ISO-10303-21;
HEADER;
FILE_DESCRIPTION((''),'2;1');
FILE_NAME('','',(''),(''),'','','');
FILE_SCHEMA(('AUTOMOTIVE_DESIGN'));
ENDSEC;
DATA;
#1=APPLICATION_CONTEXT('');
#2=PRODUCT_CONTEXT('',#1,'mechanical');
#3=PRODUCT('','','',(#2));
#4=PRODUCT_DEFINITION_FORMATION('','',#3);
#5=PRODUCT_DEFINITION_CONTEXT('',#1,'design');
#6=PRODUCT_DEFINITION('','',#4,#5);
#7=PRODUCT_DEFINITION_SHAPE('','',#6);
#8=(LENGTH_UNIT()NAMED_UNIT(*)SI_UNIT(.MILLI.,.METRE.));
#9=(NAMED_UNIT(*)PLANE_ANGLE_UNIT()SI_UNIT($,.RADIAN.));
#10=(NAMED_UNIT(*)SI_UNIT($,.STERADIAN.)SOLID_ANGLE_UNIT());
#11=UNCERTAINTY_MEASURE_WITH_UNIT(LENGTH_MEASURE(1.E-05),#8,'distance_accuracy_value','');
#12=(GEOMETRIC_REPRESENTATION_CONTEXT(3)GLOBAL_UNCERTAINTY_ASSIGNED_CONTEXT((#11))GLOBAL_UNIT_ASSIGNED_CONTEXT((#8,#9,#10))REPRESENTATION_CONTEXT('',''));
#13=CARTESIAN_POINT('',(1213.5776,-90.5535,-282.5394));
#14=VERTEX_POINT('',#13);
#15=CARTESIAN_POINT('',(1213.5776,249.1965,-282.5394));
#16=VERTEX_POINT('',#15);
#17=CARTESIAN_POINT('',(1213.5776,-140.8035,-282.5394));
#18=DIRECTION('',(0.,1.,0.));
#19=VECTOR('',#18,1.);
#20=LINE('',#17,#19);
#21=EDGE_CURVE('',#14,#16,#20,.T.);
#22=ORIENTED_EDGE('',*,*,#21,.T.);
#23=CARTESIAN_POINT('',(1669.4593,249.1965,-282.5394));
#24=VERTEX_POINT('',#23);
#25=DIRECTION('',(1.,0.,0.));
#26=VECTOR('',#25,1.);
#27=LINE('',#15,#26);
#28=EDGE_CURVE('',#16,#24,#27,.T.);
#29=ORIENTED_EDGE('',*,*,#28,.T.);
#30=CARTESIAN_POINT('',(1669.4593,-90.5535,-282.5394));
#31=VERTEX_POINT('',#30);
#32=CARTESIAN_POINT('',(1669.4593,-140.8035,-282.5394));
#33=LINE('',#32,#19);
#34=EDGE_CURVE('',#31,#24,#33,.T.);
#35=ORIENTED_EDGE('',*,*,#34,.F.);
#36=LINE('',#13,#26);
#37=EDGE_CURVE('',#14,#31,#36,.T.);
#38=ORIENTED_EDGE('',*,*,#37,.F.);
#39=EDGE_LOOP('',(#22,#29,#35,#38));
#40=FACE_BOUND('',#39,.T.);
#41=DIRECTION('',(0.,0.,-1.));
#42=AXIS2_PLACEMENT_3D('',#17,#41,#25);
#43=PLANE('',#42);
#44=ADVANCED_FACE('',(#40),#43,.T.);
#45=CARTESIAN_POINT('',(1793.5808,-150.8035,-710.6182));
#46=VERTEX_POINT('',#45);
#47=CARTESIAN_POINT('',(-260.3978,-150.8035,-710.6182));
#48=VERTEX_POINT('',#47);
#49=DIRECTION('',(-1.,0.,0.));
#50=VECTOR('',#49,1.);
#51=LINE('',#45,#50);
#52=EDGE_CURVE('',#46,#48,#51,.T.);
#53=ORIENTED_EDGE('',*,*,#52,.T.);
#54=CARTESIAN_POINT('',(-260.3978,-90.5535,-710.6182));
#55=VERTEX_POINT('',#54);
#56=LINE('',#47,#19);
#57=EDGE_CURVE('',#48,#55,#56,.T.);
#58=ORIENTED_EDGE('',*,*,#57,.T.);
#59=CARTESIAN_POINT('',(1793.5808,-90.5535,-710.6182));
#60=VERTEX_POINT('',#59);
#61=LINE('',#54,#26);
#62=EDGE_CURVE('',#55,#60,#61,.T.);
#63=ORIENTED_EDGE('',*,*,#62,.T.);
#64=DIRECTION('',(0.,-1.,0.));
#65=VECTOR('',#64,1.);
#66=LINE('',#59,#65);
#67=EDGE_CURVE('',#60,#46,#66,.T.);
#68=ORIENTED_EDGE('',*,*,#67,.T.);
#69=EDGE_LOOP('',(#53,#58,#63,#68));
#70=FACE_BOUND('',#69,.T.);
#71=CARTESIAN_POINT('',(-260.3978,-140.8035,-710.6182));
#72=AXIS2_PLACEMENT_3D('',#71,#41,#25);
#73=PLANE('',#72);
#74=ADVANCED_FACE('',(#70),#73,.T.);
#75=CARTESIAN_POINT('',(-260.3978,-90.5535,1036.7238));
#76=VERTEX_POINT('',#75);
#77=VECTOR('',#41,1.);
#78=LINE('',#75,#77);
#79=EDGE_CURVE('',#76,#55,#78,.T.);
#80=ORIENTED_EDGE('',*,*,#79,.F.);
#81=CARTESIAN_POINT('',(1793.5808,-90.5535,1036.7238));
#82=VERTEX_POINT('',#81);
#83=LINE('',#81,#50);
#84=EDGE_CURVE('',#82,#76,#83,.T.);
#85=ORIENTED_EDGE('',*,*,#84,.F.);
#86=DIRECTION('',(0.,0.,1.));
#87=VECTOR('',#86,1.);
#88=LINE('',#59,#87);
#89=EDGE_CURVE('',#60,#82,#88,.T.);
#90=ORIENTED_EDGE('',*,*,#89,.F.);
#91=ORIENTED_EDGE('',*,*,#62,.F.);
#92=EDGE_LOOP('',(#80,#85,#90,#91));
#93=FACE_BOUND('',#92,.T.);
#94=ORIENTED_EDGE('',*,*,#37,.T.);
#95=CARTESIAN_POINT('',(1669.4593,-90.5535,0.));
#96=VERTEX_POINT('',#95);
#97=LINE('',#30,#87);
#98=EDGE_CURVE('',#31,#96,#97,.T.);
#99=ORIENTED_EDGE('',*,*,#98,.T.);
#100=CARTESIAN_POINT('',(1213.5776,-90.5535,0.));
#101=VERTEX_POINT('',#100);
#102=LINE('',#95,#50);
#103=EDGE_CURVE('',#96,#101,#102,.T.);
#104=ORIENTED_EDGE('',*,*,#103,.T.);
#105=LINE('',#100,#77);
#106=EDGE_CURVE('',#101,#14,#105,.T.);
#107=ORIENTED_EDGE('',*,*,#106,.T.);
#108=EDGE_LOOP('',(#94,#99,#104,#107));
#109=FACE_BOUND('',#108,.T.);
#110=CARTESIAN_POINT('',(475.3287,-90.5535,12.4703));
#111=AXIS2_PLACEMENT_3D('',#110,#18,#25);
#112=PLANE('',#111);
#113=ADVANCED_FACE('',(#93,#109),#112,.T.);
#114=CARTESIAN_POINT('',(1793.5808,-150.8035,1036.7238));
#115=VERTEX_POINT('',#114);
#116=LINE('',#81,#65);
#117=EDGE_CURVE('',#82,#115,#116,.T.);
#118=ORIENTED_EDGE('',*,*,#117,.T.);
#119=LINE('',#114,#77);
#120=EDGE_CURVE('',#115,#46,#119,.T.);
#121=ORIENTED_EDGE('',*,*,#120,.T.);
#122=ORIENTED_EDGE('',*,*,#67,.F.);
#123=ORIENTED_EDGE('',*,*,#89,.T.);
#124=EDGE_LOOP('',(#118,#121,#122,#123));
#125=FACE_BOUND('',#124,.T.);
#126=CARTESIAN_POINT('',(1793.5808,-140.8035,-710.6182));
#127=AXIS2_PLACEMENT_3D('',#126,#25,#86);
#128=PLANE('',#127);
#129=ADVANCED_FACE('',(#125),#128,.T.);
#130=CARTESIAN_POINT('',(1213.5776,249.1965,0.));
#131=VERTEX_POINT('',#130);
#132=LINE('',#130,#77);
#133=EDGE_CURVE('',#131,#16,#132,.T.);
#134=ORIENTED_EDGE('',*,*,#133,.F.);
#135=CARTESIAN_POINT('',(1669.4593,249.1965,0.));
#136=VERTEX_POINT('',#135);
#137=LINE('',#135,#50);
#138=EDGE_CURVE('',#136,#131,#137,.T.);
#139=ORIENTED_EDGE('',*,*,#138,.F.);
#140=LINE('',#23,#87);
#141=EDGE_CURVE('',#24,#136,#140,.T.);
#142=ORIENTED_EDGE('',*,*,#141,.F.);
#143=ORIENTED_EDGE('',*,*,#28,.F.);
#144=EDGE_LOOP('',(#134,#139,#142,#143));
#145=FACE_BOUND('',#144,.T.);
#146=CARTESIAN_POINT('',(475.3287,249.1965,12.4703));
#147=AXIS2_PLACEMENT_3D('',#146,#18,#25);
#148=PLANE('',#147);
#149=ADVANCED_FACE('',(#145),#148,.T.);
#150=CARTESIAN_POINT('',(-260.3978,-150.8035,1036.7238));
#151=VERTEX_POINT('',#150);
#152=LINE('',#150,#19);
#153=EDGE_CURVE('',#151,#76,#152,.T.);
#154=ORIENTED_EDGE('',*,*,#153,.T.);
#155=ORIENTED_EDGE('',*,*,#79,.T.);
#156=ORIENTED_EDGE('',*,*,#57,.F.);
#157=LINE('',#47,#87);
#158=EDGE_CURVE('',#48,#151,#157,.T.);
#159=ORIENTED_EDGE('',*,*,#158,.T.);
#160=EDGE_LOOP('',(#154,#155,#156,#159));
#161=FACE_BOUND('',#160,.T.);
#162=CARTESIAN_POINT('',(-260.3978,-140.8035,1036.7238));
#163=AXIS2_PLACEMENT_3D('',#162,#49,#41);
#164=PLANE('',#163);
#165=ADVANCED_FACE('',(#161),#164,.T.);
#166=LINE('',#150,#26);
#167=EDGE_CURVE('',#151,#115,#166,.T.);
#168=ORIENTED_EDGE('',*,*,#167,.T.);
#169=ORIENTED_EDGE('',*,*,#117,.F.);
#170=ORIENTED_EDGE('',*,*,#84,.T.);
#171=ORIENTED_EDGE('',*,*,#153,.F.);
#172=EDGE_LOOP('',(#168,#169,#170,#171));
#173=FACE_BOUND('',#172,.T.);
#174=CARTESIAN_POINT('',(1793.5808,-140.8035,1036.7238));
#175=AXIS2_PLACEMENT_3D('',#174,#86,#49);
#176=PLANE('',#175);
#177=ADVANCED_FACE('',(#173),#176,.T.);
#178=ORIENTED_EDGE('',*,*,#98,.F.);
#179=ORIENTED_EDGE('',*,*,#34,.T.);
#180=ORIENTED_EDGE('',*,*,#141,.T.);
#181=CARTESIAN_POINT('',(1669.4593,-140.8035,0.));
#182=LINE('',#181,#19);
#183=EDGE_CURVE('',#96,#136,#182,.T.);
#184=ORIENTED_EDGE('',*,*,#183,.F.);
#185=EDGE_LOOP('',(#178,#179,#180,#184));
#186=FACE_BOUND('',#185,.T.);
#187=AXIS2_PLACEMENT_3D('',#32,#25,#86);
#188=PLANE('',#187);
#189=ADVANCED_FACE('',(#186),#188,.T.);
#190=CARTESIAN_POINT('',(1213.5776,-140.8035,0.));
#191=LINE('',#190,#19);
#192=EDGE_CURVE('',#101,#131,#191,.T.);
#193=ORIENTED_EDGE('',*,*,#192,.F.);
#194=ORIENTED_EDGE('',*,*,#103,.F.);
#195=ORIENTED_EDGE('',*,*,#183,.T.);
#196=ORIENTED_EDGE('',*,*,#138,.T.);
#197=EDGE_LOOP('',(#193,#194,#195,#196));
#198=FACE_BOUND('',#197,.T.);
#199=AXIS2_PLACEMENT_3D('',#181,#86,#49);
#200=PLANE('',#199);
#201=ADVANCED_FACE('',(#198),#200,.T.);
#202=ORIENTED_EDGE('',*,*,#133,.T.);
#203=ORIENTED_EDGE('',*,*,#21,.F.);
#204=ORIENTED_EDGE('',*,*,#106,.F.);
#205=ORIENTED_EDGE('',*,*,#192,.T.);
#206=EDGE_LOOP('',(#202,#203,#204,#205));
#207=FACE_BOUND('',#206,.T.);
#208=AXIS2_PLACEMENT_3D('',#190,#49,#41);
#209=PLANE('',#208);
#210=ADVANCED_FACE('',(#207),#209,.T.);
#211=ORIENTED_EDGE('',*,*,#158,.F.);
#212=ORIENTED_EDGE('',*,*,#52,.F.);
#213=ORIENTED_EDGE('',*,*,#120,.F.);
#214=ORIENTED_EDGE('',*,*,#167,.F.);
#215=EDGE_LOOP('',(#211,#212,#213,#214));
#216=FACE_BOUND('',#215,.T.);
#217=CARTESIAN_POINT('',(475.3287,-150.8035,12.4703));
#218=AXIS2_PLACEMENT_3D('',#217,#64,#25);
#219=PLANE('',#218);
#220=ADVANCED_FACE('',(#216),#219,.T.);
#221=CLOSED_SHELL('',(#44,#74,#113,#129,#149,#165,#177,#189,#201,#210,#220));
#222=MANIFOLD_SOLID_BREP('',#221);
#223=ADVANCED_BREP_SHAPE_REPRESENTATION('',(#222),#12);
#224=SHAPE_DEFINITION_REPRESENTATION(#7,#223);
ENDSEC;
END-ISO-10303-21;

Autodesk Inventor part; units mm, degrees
ref_plane "YZ Plane" through (0, 0, 0) normal (1, 0, 0) x (0, 1, 0)
ref_plane "XZ Plane" through (0, 0, 0) normal (0, 1, 0) x (-1, 0, 0)
ref_plane "XY Plane" through (0, 0, 0) normal (0, 0, 1) x (1, 0, 0)
ref_plane "РабПлоскость1" through (475.3287, -140.8035, 12.4703) normal (0, -1, 0) x (1, 0, 0)
sketch "Эскиз1" plane through (475.3287, -140.8035, 12.4703) normal (0, -1, 0) x (1, 0, 0)
  point P0 (-475.3287, -12.4703)
sketch "Эскиз2" plane through (475.3287, -140.8035, 12.4703) normal (0, -1, 0) x (1, 0, 0)
  line L0 (-735.7265, 1024.2535) -> (1318.2521, 1024.2535)
  line L1 (1318.2521, 1024.2535) -> (1318.2521, -723.0885)
  line L2 (1318.2521, -723.0885) -> (-735.7265, -723.0885)
  line L3 (-735.7265, -723.0885) -> (-735.7265, 1024.2535)
  point P0 (-475.3287, -12.4703)
extrude "Выдавливание1" add sketch "Эскиз2" along normal blind 10
sketch "Эскиз3" plane through (475.3287, -140.8035, 12.4703) normal (0, 1, 0) x (1, 0, 0)
  line L0 (1194.1306, 12.4703) -> (738.2489, 12.4703)
  line L1 (738.2489, 12.4703) -> (738.2489, 295.0097)
  line L2 (738.2489, 295.0097) -> (1194.1306, 295.0097)
  line L3 (1194.1306, 295.0097) -> (1194.1306, 12.4703)
  point P0 (-475.3287, 12.4703)
extrude "Выдавливание2" add sketch "Эскиз3" along normal blind 390
sketch "Эскиз4" plane through (475.3287, -140.8035, 12.4703) normal (0, 1, 0) x (1, 0, 0)
  line L0 (1194.1306, 295.0097) -> (1194.1306, 12.4703) projected
  line L1 (1194.1306, 12.4703) -> (738.2489, 12.4703) projected
  line L2 (738.2489, 12.4703) -> (738.2489, 295.0097) projected
  line L3 (738.2489, 295.0097) -> (1194.1306, 295.0097) projected
  line L4 (-735.7265, 723.0885) -> (1318.2521, 723.0885) projected
  line L5 (-735.7265, -1024.2535) -> (-735.7265, 723.0885) projected
  line L6 (1318.2521, -1024.2535) -> (-735.7265, -1024.2535) projected
  line L7 (1318.2521, 723.0885) -> (1318.2521, -1024.2535) projected
  point P0 (-475.3287, 12.4703)
extrude "Выдавливание3" add sketch "Эскиз4" along normal blind 50.25
properties part number "Земля_и_Препятствия"
